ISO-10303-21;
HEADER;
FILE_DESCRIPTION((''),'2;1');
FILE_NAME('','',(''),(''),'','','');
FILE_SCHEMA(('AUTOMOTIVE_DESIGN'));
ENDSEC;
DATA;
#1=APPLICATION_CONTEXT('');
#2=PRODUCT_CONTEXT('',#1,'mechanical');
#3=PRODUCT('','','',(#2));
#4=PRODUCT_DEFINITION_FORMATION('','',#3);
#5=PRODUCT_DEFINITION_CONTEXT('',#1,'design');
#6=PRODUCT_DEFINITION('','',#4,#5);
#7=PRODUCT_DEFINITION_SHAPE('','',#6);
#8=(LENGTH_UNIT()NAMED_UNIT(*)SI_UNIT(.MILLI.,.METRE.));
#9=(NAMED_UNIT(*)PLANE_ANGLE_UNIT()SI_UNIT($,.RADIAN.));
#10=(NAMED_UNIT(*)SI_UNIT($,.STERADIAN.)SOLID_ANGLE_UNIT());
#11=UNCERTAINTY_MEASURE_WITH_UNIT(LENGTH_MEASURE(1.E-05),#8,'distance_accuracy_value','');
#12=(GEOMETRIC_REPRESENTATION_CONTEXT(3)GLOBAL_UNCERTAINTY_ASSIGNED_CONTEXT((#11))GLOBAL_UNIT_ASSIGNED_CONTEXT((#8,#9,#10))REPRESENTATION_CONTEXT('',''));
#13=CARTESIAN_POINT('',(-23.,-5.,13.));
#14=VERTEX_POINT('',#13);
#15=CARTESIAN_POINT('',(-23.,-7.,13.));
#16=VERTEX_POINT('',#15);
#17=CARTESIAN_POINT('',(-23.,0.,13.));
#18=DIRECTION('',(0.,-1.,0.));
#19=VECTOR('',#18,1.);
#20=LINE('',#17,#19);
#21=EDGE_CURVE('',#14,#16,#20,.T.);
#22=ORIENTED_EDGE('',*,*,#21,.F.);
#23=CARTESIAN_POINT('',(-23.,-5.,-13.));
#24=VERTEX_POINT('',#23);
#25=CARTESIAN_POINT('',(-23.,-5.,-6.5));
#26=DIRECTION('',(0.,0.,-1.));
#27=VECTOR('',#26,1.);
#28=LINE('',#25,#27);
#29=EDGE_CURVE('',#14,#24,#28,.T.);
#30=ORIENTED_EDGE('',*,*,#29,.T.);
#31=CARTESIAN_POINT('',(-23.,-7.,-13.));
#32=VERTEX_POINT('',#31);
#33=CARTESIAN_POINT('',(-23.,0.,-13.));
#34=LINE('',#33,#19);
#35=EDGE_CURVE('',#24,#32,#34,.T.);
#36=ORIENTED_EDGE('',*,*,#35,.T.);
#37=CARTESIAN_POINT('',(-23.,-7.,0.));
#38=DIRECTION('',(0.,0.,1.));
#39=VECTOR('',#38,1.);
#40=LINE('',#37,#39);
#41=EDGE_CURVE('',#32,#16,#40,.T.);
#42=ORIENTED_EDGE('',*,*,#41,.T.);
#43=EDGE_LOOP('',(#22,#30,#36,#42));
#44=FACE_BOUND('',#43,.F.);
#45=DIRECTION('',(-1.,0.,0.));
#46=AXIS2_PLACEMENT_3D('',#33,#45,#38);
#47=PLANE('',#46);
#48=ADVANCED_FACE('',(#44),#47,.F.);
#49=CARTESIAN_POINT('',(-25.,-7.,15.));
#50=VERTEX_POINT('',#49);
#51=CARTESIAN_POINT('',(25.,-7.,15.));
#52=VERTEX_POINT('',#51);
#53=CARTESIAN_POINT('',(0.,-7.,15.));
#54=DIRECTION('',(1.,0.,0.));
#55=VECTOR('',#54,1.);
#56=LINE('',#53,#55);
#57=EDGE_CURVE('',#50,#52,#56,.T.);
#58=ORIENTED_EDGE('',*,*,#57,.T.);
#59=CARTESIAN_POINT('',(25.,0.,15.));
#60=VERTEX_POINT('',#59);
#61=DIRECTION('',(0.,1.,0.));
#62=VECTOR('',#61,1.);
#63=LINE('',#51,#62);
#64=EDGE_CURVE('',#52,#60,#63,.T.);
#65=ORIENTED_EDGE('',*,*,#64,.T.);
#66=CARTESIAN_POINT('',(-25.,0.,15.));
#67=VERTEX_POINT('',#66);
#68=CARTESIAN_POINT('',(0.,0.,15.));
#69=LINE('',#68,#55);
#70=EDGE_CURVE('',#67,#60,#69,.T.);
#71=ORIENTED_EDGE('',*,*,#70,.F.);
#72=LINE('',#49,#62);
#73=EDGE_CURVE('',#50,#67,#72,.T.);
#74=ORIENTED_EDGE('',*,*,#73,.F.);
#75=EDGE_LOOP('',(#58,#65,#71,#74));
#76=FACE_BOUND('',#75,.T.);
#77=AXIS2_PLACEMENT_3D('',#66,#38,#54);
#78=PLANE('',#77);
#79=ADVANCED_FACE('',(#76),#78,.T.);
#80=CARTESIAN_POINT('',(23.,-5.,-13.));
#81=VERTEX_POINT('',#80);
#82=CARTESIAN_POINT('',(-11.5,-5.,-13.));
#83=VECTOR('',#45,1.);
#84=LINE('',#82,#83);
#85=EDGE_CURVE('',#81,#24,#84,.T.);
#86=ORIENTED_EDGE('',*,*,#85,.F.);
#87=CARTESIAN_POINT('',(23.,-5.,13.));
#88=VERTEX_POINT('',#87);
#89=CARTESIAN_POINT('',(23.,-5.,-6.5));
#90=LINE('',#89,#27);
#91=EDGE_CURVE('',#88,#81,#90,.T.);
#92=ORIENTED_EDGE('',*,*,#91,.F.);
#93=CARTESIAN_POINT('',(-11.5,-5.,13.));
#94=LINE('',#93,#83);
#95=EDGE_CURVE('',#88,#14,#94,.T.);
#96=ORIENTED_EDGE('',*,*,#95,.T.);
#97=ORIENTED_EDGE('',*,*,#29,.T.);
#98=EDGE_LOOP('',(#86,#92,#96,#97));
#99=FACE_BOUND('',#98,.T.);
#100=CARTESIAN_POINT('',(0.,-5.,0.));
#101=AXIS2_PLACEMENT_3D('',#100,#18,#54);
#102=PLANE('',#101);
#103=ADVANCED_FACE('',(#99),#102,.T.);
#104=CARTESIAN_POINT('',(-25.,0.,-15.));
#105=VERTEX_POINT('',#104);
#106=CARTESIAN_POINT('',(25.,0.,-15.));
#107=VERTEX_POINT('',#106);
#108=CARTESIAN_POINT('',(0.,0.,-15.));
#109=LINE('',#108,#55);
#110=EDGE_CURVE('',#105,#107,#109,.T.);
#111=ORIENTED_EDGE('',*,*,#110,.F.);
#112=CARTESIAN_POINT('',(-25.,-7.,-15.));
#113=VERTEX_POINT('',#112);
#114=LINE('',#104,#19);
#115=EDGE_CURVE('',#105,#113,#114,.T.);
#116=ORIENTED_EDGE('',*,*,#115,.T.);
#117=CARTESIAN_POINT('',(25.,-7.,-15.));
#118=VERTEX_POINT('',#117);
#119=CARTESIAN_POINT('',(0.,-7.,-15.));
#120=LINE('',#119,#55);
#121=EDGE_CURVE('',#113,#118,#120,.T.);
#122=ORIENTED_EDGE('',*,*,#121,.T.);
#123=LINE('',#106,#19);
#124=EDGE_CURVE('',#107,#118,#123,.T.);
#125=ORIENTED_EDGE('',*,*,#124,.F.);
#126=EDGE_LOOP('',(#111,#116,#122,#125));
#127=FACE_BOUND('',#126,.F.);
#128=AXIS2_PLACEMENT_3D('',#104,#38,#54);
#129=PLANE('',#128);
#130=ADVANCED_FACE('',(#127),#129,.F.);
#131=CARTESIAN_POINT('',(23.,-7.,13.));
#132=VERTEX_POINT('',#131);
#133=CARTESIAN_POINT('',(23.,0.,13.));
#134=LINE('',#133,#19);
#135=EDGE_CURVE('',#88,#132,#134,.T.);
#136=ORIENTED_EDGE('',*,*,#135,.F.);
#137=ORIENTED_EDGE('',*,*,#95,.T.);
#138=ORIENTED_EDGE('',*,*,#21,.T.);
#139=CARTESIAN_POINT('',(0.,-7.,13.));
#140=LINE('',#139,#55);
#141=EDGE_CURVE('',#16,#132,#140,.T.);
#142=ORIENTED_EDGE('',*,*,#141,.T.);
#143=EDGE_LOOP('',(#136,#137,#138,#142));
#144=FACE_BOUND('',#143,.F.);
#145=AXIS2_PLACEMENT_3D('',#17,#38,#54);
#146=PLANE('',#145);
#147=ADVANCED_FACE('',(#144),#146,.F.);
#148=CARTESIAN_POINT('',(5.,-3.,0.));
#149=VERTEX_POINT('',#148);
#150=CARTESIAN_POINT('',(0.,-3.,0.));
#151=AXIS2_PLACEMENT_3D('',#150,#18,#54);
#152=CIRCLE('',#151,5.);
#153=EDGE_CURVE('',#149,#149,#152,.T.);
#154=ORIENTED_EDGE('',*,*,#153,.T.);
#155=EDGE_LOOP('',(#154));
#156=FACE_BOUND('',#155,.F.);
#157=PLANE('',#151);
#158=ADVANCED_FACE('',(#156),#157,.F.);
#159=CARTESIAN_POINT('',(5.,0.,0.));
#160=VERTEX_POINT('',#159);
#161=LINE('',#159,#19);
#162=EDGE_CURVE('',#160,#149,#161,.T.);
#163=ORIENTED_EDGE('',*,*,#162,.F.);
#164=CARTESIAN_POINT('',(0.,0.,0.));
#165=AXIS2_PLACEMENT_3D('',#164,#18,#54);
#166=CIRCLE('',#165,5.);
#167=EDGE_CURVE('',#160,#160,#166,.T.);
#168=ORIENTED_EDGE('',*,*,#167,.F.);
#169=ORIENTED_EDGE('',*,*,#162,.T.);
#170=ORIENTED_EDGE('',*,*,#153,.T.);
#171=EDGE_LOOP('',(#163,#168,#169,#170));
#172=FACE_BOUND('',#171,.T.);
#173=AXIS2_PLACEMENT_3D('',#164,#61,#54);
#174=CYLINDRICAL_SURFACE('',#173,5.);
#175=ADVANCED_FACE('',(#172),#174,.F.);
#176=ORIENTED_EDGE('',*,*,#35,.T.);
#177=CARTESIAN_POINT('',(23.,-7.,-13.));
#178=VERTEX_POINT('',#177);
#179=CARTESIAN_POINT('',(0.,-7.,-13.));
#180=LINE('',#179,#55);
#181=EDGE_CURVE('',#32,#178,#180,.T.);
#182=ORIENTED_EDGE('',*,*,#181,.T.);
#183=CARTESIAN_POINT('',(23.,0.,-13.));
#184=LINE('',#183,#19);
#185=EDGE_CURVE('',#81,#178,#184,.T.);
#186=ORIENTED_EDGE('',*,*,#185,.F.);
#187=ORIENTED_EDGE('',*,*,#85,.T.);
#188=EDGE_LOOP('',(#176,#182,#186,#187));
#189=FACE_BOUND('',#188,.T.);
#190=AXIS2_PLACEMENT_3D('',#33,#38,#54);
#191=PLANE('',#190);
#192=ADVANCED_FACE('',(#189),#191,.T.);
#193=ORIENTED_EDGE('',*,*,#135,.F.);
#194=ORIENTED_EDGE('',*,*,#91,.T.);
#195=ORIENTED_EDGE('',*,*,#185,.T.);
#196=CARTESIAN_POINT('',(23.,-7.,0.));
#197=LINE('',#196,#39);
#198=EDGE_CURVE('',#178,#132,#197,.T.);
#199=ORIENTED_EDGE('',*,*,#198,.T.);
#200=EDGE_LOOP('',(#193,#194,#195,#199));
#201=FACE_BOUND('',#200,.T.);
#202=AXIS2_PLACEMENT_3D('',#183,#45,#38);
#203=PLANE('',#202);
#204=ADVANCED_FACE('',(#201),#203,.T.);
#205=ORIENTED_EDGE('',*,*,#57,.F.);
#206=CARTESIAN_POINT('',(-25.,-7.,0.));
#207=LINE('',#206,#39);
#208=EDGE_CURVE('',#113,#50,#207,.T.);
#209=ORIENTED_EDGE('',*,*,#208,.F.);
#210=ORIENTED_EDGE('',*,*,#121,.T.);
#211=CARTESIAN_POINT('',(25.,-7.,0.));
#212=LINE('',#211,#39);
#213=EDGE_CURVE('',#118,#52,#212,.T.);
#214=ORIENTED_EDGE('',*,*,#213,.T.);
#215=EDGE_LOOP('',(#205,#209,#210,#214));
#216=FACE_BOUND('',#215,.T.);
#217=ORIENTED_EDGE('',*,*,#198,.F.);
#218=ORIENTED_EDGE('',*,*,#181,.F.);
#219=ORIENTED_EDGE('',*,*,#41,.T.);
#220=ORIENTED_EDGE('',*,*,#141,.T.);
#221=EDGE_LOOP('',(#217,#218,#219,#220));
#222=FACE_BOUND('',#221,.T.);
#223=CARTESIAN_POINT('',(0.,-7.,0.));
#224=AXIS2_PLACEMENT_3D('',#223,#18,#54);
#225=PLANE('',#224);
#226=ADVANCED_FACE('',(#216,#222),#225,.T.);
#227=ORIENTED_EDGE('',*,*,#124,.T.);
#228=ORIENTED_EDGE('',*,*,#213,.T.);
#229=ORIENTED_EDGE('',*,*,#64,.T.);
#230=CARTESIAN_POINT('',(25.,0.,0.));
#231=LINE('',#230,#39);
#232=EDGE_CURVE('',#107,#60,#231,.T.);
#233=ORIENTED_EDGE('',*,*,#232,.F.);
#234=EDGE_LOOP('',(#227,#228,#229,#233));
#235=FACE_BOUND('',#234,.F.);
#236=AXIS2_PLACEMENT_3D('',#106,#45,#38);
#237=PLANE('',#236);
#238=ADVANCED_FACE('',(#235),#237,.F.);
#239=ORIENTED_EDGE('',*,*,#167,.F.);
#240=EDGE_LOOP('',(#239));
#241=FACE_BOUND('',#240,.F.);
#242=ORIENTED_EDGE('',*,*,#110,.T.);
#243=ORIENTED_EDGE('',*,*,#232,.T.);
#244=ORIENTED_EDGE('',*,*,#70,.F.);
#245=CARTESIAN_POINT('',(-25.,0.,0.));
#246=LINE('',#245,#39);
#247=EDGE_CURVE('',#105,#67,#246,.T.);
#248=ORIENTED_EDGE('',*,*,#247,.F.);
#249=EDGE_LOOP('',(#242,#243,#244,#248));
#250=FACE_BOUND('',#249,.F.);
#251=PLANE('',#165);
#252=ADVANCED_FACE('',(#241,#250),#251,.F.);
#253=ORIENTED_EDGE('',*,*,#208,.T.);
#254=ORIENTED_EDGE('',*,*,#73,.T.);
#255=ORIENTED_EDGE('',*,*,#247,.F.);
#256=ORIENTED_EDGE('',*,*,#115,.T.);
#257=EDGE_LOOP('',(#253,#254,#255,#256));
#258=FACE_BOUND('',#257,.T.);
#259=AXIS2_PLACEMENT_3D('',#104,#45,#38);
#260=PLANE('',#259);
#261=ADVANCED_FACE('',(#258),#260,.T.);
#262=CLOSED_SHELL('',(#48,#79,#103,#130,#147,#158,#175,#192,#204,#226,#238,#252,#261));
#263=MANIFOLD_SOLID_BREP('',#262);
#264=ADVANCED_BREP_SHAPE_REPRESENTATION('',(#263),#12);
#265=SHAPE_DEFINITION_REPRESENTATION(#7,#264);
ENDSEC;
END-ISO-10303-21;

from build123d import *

# Parameters (mm, degrees)
F0_W     = 50
F0_H     = 30
F0_W_2   = 46
F0_H_2   = 26
F0_R     = 8
F0_R_2   = 5
F1_DEPTH = 5
F2_DEPTH = 7
F3_DEPTH = 3.0000000261


with BuildPart() as f1:
    # F0 (on Front) → F1 (new body)
    with BuildSketch(Plane.XZ):
        Rectangle(F0_W, F0_H)
        Rectangle(F0_W_2, F0_H_2, mode=Mode.SUBTRACT)
        Rectangle(F0_W_2, F0_H_2)
        Circle(F0_R, mode=Mode.SUBTRACT)
        Circle(F0_R)
        Circle(F0_R_2, mode=Mode.SUBTRACT)
        Circle(F0_R_2)
    extrude(amount=F1_DEPTH)

    # F0 (on Front) → F2 (join)
    with BuildSketch(Plane.XZ):
        Rectangle(F0_W, F0_H)
        Rectangle(F0_W_2, F0_H_2, mode=Mode.SUBTRACT)
    extrude(amount=F2_DEPTH)

    # F0 (on Front) → F3 (cut)
    with BuildSketch(Plane.XZ):
        Circle(F0_R_2)
    extrude(amount=F3_DEPTH, mode=Mode.SUBTRACT)


solid = f1.part
